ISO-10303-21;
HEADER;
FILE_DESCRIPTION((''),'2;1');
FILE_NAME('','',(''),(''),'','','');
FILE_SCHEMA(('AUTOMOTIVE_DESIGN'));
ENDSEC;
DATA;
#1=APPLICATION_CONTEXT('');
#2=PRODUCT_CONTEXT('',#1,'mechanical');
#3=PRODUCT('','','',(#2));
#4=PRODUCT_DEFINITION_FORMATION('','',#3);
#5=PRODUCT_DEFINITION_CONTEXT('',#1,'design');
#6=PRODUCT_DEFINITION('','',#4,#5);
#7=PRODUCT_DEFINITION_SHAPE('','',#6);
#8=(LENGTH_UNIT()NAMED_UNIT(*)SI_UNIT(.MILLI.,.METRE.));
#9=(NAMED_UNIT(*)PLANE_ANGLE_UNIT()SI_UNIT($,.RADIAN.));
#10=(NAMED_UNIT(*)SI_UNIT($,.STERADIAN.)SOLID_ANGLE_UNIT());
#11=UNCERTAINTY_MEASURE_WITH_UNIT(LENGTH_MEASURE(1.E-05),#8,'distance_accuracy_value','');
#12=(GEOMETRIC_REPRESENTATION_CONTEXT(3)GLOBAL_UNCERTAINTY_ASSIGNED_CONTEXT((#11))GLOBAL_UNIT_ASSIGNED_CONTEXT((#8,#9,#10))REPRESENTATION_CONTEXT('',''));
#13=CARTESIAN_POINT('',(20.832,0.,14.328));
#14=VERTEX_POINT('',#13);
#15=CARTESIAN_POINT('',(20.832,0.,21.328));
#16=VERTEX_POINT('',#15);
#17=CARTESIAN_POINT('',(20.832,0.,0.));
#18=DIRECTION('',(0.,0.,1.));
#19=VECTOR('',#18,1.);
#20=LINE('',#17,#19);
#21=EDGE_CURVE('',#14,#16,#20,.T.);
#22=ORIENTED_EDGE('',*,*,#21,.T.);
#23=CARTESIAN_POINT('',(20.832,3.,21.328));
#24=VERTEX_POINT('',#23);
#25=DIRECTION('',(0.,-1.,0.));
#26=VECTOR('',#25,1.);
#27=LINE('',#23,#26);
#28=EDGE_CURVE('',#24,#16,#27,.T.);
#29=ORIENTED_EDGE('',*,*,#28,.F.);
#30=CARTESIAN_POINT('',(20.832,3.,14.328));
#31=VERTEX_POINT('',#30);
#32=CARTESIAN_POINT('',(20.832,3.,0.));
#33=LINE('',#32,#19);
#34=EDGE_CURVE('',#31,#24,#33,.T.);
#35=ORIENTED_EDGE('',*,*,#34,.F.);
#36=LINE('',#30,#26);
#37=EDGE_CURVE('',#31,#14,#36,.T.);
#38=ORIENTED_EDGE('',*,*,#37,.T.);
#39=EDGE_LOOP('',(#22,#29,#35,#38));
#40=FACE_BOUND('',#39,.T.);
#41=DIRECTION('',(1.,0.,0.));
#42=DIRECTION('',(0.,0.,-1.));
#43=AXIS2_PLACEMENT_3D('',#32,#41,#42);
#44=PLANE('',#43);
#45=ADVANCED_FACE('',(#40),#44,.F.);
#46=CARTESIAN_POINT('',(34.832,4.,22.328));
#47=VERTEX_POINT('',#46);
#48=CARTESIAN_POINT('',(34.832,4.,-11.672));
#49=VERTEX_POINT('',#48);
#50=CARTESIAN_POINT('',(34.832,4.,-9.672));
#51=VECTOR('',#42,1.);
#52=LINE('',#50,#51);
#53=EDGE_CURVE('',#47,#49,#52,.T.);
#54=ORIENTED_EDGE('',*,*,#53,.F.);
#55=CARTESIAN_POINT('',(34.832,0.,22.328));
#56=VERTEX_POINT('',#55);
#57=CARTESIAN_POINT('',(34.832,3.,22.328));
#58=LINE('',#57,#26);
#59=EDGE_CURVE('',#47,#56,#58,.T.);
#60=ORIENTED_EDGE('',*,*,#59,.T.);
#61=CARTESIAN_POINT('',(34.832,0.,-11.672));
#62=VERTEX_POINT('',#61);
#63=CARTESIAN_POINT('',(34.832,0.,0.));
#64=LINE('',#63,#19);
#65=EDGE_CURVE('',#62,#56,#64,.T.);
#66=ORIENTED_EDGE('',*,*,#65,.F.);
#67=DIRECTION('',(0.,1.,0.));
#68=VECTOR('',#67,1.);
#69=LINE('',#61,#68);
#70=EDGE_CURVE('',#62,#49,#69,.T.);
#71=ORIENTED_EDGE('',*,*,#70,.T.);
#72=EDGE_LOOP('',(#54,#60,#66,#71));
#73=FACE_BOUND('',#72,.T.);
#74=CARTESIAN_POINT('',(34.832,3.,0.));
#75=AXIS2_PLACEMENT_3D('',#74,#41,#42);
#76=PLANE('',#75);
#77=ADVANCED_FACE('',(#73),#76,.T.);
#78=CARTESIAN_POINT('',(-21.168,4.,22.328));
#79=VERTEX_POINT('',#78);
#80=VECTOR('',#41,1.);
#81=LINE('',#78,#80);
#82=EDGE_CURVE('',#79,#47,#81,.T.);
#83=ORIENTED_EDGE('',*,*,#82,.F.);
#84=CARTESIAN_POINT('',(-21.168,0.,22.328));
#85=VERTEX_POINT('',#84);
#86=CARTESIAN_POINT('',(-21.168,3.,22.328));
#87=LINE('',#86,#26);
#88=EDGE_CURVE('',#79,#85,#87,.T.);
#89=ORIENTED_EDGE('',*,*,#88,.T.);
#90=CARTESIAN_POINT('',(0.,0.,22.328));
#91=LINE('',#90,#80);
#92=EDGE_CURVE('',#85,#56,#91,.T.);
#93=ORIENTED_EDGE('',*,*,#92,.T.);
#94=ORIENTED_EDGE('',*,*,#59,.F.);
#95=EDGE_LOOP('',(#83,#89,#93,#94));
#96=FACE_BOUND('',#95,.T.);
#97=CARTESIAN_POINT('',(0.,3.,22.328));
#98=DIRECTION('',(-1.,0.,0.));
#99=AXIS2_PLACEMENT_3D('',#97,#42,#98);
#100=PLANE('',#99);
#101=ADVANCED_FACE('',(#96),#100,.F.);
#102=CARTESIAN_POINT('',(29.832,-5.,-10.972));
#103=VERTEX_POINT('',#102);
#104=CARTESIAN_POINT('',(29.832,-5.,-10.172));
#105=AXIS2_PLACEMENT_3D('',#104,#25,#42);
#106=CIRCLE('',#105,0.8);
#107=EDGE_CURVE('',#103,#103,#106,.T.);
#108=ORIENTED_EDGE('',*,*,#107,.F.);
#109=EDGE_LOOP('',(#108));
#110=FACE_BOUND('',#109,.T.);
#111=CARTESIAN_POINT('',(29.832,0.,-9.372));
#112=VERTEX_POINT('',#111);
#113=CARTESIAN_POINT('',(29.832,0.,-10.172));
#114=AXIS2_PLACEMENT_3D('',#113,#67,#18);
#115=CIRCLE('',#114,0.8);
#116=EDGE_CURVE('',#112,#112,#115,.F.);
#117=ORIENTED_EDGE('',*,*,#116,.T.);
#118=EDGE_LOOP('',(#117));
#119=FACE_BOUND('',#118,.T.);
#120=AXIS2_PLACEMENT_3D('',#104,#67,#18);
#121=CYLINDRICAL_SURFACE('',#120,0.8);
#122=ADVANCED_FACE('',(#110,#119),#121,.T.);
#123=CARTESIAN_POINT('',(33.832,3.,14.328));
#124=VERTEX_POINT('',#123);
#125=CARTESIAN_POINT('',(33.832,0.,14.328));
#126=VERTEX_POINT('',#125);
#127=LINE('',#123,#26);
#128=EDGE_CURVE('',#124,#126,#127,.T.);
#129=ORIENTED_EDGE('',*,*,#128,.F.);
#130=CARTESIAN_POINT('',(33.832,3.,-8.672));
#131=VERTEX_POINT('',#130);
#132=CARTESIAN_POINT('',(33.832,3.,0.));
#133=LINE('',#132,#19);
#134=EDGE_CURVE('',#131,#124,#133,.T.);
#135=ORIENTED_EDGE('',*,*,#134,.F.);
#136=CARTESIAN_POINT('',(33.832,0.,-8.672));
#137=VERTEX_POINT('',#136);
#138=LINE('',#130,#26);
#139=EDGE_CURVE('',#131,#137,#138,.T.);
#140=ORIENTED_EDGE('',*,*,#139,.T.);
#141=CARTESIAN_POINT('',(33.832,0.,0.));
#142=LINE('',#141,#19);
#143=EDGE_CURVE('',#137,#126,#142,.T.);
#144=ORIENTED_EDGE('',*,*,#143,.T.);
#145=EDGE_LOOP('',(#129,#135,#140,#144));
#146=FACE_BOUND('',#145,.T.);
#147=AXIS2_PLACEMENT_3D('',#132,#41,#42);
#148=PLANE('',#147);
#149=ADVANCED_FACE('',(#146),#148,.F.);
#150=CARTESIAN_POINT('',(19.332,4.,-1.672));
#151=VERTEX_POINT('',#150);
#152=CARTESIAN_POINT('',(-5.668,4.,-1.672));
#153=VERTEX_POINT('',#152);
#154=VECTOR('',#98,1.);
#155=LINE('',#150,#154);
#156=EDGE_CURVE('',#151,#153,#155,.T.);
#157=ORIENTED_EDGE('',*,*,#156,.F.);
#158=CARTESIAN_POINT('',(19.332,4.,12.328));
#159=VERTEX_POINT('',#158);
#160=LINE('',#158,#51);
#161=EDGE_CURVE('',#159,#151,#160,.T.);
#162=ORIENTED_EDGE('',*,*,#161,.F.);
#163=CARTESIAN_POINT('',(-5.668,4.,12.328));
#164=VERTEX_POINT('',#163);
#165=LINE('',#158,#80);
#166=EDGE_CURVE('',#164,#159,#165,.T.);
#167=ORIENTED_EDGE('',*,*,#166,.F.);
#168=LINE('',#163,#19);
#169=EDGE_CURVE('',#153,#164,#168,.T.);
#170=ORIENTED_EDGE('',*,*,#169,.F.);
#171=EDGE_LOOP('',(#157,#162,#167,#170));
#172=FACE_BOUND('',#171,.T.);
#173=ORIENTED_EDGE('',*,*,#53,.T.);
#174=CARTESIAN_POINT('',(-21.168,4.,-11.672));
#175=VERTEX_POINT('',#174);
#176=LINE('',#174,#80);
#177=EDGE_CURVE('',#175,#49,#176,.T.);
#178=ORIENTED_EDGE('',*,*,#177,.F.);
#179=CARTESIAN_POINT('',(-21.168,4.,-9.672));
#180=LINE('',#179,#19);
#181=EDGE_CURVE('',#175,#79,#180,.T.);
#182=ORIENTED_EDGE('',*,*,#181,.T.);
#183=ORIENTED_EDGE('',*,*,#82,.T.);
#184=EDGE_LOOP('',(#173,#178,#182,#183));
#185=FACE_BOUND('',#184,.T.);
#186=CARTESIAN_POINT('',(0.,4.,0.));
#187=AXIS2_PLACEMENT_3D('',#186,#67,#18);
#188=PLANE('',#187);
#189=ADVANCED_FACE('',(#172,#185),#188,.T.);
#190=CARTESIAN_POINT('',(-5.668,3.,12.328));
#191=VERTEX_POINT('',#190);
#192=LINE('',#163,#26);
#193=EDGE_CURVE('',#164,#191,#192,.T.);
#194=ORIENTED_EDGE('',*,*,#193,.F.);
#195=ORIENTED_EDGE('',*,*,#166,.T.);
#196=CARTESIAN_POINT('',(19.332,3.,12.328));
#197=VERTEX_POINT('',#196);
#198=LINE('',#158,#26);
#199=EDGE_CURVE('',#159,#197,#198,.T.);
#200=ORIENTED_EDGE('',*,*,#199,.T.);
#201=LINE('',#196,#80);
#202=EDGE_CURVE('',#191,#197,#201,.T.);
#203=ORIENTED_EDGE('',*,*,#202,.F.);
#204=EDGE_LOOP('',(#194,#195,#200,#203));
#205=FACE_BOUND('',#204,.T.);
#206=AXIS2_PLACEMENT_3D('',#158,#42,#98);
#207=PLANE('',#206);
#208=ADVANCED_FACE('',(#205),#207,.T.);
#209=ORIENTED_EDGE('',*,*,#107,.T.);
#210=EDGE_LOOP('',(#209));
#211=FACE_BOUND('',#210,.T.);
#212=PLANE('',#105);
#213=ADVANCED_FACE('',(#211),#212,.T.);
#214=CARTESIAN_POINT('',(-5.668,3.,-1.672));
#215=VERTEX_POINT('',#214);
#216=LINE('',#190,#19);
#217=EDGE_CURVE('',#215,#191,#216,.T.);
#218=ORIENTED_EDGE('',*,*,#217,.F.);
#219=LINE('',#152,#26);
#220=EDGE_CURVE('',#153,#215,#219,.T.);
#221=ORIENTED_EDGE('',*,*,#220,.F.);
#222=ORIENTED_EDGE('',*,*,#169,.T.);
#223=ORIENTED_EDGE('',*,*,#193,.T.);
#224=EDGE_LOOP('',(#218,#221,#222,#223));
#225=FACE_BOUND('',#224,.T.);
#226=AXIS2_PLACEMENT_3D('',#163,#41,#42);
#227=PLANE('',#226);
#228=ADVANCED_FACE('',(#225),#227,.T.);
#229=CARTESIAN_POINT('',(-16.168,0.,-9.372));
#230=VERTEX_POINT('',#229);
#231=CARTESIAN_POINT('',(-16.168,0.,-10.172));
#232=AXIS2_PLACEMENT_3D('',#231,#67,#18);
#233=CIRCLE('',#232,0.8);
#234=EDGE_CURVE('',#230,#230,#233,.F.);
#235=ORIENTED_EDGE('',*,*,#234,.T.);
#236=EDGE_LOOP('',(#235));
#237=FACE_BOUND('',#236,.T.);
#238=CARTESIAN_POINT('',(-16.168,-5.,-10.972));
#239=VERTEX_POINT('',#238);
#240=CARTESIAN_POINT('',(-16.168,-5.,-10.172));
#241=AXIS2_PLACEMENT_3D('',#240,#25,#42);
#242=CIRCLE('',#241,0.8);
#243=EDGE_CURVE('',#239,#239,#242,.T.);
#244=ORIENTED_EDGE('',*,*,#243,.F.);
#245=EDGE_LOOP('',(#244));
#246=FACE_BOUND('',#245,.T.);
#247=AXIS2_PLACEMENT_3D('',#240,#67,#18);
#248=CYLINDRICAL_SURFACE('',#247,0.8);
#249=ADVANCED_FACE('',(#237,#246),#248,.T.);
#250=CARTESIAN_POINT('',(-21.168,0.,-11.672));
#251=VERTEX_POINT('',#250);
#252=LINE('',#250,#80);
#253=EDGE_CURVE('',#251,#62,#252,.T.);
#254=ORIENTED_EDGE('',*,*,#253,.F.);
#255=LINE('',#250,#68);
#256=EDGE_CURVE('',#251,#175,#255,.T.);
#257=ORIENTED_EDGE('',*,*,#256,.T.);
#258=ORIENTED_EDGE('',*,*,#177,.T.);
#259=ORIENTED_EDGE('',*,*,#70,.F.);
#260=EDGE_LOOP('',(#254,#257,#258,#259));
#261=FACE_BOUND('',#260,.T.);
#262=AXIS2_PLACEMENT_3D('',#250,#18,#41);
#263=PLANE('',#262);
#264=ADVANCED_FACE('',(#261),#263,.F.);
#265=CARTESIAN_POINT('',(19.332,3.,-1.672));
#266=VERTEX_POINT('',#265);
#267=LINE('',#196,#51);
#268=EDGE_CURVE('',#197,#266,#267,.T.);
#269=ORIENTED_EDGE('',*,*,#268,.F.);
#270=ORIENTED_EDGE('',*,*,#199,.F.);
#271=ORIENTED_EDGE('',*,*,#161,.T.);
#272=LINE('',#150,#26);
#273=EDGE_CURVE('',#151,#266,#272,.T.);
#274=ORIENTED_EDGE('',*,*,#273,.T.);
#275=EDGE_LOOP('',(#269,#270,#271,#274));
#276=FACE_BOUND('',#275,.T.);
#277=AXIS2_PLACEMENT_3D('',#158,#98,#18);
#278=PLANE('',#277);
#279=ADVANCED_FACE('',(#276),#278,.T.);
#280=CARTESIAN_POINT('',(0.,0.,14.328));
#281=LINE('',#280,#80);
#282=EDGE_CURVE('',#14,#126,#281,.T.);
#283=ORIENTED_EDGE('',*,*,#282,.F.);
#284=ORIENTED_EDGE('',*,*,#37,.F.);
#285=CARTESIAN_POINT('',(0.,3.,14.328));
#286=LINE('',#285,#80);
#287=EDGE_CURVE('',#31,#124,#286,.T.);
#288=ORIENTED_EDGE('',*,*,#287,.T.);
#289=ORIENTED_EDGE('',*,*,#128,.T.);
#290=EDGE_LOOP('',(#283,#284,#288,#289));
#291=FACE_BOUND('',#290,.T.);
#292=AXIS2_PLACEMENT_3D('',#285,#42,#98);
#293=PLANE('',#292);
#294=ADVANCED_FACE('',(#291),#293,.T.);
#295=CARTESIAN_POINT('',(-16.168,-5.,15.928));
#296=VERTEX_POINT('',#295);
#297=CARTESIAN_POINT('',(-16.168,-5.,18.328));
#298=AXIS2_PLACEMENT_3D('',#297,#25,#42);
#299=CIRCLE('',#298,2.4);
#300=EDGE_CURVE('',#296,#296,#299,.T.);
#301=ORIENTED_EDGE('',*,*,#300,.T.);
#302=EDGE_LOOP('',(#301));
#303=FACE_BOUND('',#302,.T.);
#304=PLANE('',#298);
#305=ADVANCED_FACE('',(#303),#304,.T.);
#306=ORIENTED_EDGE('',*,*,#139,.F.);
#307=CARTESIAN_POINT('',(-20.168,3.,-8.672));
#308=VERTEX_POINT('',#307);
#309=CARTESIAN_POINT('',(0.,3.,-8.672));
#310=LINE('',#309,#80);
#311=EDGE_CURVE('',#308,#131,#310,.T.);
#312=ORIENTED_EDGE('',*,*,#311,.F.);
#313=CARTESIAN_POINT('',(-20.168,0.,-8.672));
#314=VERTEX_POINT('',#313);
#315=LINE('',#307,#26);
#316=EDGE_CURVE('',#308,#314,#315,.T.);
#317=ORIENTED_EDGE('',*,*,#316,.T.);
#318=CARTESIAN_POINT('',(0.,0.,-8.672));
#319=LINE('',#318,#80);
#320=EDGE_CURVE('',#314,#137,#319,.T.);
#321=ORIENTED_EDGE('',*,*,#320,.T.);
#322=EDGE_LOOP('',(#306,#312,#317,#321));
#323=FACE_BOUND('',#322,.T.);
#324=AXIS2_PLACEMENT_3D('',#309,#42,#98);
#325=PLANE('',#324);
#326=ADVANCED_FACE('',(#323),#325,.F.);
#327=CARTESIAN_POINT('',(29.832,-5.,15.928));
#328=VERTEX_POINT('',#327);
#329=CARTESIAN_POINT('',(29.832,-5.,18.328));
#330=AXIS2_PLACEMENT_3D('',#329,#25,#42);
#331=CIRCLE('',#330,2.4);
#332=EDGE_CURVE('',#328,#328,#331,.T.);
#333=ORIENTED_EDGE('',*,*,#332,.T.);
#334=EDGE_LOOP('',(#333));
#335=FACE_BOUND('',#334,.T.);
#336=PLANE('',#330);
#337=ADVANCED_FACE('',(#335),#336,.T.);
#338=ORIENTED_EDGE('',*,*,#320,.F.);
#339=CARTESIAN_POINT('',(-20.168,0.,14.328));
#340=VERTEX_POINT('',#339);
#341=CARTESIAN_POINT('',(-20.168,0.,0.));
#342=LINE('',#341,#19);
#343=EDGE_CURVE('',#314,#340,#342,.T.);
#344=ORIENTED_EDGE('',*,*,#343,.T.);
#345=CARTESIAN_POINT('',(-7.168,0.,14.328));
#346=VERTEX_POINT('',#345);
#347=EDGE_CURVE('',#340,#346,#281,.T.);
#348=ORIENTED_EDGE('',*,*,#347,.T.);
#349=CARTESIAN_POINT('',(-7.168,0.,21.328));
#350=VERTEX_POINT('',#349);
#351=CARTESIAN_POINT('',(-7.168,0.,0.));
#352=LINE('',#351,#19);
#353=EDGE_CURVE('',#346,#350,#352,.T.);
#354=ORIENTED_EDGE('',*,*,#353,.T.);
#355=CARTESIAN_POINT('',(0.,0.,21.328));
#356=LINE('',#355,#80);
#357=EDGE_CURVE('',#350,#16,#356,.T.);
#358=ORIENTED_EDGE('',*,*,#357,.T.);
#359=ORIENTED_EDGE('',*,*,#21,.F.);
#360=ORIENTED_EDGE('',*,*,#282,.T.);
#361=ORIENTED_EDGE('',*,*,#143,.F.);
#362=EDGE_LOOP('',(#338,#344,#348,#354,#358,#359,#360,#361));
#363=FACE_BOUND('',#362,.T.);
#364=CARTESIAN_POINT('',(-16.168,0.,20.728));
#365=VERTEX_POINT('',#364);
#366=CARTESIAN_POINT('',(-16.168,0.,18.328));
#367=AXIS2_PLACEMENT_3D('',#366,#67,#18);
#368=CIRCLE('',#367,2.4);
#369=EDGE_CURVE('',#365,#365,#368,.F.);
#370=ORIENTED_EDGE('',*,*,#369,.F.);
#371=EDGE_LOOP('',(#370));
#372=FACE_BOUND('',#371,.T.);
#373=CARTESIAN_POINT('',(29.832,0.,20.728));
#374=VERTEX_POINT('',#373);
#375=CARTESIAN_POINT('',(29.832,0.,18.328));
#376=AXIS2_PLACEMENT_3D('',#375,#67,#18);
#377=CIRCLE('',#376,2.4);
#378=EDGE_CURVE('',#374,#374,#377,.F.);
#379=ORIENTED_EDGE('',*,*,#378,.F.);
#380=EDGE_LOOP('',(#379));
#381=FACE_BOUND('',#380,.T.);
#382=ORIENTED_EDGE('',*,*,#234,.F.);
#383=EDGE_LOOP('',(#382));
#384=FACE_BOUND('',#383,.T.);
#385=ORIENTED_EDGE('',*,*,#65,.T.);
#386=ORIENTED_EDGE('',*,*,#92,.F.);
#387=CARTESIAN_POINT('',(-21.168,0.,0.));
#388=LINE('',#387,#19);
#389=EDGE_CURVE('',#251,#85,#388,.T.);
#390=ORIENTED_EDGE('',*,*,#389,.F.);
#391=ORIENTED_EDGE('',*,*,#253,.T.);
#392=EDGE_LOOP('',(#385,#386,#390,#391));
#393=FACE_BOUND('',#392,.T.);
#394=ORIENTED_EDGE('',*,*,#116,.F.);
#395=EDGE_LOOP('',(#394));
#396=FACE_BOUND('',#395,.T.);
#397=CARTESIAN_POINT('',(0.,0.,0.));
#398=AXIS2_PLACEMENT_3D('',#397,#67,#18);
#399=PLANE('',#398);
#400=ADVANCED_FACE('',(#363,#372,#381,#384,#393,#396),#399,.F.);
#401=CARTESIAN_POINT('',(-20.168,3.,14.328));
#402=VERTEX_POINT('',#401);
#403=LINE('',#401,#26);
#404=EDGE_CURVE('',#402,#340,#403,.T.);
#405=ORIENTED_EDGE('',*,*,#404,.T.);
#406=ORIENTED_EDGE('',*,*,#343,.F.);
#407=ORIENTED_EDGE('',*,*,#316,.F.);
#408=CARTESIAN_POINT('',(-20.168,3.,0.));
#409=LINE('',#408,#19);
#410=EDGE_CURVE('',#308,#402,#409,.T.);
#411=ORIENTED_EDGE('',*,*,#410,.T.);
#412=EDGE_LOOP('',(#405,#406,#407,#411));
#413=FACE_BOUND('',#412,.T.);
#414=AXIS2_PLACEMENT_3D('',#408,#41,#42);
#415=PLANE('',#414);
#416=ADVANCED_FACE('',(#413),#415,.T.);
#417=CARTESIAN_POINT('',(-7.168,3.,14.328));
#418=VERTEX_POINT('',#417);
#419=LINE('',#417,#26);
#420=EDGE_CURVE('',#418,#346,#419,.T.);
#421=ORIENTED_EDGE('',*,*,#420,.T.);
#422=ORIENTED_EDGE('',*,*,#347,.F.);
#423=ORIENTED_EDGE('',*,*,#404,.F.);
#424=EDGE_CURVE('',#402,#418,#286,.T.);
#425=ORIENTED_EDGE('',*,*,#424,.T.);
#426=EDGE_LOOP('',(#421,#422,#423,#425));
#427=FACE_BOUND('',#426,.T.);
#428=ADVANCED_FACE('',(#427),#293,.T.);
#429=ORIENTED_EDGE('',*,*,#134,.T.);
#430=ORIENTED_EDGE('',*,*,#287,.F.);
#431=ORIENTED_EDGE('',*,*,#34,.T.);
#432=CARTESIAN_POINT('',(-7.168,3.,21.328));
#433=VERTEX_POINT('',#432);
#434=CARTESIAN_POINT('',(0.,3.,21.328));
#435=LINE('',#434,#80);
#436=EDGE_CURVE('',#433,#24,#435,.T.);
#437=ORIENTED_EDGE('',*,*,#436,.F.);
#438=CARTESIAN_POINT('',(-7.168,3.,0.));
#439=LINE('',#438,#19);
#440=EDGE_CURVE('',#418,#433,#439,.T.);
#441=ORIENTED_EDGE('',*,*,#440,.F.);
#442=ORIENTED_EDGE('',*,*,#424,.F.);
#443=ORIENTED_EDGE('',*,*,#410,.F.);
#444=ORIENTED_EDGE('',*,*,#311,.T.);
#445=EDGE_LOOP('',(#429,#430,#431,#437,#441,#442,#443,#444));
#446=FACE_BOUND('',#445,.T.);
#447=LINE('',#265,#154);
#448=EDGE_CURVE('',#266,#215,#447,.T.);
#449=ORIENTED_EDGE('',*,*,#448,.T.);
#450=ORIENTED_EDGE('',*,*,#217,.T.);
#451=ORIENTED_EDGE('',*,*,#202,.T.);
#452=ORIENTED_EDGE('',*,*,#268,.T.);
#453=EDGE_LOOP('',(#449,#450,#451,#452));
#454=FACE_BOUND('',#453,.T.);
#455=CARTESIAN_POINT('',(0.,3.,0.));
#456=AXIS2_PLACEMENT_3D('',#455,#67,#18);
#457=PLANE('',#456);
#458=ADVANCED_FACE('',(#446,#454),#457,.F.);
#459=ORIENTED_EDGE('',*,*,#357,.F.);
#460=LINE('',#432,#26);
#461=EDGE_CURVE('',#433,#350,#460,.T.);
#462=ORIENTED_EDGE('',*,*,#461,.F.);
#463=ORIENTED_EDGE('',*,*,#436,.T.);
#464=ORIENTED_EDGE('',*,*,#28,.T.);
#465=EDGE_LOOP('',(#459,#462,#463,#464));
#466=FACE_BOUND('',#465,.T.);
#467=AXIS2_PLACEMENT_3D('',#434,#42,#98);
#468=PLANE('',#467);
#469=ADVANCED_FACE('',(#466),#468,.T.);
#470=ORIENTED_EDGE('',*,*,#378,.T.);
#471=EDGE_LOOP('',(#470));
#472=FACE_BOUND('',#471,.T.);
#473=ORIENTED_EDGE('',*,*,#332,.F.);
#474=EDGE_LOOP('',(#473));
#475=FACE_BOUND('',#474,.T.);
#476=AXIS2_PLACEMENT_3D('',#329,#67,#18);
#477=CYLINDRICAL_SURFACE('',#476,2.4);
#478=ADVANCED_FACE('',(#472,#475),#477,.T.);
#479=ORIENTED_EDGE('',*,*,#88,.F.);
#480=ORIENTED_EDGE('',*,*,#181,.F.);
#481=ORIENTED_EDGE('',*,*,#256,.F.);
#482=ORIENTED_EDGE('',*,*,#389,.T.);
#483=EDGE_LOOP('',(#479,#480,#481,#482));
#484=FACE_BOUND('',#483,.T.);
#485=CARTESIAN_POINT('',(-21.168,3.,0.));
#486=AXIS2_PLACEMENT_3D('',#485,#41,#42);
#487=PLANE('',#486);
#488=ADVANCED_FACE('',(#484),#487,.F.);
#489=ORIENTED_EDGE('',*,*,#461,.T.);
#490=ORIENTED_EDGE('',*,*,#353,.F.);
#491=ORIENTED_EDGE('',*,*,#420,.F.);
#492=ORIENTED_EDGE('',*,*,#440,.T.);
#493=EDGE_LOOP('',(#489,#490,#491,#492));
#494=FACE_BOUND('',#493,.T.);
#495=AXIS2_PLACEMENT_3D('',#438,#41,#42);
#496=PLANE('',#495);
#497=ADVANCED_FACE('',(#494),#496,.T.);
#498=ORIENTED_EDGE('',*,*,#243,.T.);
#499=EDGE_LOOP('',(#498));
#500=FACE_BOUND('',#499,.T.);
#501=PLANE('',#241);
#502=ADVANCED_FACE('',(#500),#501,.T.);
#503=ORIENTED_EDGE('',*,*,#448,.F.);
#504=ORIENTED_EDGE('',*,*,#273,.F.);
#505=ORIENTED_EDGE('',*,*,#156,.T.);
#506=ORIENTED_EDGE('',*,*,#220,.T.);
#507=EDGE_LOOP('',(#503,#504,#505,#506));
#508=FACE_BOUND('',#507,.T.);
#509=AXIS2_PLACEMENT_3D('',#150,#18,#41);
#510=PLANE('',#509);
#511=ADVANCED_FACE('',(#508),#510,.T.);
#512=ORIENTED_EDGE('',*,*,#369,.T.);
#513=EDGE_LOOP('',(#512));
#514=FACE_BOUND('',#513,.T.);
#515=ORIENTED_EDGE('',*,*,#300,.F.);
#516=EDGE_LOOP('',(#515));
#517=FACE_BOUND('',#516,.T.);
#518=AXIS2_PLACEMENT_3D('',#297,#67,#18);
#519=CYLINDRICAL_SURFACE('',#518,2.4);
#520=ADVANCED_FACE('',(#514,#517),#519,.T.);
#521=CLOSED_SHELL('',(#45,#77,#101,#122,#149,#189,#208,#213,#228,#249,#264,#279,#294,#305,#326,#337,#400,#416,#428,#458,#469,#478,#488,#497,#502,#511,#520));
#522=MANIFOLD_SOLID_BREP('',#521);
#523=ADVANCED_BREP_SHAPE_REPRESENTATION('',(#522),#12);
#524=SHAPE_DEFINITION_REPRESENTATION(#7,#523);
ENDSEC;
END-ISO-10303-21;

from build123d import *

# Parameters (mm, degrees)
SKETCH_2_W      = 56
SKETCH_2_H      = 32
EXTRUDE_1_DEPTH = 3
SKETCH_3_W      = 56
SKETCH_3_H      = 32
SKETCH_3_W_2    = 25
SKETCH_3_H_2    = 14
EXTRUDE_2_DEPTH = 1
SKETCH_4_R      = 2.4
EXTRUDE_3_DEPTH = 5
SKETCH_6_W      = 56
SKETCH_6_H      = 2
EXTRUDE_4_DEPTH = 4
SKETCH_7_R      = 0.8
EXTRUDE_5_DEPTH = 5


with BuildPart() as part:
    # 草图2 → 凸台-拉伸1 (new body)
    with BuildSketch(Plane(origin=(0, 0, 0), x_dir=(1, 0, 0), z_dir=(0, 1, 0))):
        with Locations((6.832, -6.328)):
            Rectangle(SKETCH_2_W, SKETCH_2_H)
        Polygon((-20.168, -11.589207904), (-20.168, 4.317392289), (-20.168, 8.672), (33.832, 8.672), (33.832, -14.328), (20.832, -14.328), (20.832, -21.328), (-7.168, -21.328), (-7.168, -14.328), (-20.168, -14.328), align=None, mode=Mode.SUBTRACT)
    extrude(amount=EXTRUDE_1_DEPTH)

    # 草图3 → 凸台-拉伸2 (add)
    with BuildSketch(Plane(origin=(0, 3, 0), x_dir=(1, 0, 0), z_dir=(0, 1, 0))):
        with Locations((6.832, -6.328)):
            Rectangle(SKETCH_3_W, SKETCH_3_H)
        with Locations((6.832, -5.328)):
            Rectangle(SKETCH_3_W_2, SKETCH_3_H_2, mode=Mode.SUBTRACT)
    extrude(amount=EXTRUDE_2_DEPTH)

    # 草图4 → 凸台-拉伸3 (add)
    with BuildSketch(Plane(origin=(0, 0, 0), x_dir=(-1, 0, 0), z_dir=(0, -1, 0))):
        with Locations(Location((16.168, -18.328, 0), (0, 0, 270))):
            Circle(SKETCH_4_R)
        with Locations(Location((-29.832, -18.328, 0), (0, 0, 270))):
            Circle(SKETCH_4_R)
    extrude(amount=EXTRUDE_3_DEPTH)

    # 草图6 → 凸台-拉伸4 (add)
    with BuildSketch(Plane(origin=(0, 4, 0), x_dir=(-1, 0, 0), z_dir=(0, -1, 0))):
        with Locations((-6.832, 10.672)):
            Rectangle(SKETCH_6_W, SKETCH_6_H)
    extrude(amount=EXTRUDE_4_DEPTH)

    # 草图7 → 凸台-拉伸5 (add)
    with BuildSketch(Plane(origin=(0, 0, 0), x_dir=(-1, 0, 0), z_dir=(0, -1, 0))):
        with Locations(Location((-29.832, 10.172, 0), (0, 0, 270))):
            Circle(SKETCH_7_R)
        with Locations(Location((16.168, 10.172, 0), (0, 0, 270))):
            Circle(SKETCH_7_R)
    extrude(amount=EXTRUDE_5_DEPTH)


solid = part.part
